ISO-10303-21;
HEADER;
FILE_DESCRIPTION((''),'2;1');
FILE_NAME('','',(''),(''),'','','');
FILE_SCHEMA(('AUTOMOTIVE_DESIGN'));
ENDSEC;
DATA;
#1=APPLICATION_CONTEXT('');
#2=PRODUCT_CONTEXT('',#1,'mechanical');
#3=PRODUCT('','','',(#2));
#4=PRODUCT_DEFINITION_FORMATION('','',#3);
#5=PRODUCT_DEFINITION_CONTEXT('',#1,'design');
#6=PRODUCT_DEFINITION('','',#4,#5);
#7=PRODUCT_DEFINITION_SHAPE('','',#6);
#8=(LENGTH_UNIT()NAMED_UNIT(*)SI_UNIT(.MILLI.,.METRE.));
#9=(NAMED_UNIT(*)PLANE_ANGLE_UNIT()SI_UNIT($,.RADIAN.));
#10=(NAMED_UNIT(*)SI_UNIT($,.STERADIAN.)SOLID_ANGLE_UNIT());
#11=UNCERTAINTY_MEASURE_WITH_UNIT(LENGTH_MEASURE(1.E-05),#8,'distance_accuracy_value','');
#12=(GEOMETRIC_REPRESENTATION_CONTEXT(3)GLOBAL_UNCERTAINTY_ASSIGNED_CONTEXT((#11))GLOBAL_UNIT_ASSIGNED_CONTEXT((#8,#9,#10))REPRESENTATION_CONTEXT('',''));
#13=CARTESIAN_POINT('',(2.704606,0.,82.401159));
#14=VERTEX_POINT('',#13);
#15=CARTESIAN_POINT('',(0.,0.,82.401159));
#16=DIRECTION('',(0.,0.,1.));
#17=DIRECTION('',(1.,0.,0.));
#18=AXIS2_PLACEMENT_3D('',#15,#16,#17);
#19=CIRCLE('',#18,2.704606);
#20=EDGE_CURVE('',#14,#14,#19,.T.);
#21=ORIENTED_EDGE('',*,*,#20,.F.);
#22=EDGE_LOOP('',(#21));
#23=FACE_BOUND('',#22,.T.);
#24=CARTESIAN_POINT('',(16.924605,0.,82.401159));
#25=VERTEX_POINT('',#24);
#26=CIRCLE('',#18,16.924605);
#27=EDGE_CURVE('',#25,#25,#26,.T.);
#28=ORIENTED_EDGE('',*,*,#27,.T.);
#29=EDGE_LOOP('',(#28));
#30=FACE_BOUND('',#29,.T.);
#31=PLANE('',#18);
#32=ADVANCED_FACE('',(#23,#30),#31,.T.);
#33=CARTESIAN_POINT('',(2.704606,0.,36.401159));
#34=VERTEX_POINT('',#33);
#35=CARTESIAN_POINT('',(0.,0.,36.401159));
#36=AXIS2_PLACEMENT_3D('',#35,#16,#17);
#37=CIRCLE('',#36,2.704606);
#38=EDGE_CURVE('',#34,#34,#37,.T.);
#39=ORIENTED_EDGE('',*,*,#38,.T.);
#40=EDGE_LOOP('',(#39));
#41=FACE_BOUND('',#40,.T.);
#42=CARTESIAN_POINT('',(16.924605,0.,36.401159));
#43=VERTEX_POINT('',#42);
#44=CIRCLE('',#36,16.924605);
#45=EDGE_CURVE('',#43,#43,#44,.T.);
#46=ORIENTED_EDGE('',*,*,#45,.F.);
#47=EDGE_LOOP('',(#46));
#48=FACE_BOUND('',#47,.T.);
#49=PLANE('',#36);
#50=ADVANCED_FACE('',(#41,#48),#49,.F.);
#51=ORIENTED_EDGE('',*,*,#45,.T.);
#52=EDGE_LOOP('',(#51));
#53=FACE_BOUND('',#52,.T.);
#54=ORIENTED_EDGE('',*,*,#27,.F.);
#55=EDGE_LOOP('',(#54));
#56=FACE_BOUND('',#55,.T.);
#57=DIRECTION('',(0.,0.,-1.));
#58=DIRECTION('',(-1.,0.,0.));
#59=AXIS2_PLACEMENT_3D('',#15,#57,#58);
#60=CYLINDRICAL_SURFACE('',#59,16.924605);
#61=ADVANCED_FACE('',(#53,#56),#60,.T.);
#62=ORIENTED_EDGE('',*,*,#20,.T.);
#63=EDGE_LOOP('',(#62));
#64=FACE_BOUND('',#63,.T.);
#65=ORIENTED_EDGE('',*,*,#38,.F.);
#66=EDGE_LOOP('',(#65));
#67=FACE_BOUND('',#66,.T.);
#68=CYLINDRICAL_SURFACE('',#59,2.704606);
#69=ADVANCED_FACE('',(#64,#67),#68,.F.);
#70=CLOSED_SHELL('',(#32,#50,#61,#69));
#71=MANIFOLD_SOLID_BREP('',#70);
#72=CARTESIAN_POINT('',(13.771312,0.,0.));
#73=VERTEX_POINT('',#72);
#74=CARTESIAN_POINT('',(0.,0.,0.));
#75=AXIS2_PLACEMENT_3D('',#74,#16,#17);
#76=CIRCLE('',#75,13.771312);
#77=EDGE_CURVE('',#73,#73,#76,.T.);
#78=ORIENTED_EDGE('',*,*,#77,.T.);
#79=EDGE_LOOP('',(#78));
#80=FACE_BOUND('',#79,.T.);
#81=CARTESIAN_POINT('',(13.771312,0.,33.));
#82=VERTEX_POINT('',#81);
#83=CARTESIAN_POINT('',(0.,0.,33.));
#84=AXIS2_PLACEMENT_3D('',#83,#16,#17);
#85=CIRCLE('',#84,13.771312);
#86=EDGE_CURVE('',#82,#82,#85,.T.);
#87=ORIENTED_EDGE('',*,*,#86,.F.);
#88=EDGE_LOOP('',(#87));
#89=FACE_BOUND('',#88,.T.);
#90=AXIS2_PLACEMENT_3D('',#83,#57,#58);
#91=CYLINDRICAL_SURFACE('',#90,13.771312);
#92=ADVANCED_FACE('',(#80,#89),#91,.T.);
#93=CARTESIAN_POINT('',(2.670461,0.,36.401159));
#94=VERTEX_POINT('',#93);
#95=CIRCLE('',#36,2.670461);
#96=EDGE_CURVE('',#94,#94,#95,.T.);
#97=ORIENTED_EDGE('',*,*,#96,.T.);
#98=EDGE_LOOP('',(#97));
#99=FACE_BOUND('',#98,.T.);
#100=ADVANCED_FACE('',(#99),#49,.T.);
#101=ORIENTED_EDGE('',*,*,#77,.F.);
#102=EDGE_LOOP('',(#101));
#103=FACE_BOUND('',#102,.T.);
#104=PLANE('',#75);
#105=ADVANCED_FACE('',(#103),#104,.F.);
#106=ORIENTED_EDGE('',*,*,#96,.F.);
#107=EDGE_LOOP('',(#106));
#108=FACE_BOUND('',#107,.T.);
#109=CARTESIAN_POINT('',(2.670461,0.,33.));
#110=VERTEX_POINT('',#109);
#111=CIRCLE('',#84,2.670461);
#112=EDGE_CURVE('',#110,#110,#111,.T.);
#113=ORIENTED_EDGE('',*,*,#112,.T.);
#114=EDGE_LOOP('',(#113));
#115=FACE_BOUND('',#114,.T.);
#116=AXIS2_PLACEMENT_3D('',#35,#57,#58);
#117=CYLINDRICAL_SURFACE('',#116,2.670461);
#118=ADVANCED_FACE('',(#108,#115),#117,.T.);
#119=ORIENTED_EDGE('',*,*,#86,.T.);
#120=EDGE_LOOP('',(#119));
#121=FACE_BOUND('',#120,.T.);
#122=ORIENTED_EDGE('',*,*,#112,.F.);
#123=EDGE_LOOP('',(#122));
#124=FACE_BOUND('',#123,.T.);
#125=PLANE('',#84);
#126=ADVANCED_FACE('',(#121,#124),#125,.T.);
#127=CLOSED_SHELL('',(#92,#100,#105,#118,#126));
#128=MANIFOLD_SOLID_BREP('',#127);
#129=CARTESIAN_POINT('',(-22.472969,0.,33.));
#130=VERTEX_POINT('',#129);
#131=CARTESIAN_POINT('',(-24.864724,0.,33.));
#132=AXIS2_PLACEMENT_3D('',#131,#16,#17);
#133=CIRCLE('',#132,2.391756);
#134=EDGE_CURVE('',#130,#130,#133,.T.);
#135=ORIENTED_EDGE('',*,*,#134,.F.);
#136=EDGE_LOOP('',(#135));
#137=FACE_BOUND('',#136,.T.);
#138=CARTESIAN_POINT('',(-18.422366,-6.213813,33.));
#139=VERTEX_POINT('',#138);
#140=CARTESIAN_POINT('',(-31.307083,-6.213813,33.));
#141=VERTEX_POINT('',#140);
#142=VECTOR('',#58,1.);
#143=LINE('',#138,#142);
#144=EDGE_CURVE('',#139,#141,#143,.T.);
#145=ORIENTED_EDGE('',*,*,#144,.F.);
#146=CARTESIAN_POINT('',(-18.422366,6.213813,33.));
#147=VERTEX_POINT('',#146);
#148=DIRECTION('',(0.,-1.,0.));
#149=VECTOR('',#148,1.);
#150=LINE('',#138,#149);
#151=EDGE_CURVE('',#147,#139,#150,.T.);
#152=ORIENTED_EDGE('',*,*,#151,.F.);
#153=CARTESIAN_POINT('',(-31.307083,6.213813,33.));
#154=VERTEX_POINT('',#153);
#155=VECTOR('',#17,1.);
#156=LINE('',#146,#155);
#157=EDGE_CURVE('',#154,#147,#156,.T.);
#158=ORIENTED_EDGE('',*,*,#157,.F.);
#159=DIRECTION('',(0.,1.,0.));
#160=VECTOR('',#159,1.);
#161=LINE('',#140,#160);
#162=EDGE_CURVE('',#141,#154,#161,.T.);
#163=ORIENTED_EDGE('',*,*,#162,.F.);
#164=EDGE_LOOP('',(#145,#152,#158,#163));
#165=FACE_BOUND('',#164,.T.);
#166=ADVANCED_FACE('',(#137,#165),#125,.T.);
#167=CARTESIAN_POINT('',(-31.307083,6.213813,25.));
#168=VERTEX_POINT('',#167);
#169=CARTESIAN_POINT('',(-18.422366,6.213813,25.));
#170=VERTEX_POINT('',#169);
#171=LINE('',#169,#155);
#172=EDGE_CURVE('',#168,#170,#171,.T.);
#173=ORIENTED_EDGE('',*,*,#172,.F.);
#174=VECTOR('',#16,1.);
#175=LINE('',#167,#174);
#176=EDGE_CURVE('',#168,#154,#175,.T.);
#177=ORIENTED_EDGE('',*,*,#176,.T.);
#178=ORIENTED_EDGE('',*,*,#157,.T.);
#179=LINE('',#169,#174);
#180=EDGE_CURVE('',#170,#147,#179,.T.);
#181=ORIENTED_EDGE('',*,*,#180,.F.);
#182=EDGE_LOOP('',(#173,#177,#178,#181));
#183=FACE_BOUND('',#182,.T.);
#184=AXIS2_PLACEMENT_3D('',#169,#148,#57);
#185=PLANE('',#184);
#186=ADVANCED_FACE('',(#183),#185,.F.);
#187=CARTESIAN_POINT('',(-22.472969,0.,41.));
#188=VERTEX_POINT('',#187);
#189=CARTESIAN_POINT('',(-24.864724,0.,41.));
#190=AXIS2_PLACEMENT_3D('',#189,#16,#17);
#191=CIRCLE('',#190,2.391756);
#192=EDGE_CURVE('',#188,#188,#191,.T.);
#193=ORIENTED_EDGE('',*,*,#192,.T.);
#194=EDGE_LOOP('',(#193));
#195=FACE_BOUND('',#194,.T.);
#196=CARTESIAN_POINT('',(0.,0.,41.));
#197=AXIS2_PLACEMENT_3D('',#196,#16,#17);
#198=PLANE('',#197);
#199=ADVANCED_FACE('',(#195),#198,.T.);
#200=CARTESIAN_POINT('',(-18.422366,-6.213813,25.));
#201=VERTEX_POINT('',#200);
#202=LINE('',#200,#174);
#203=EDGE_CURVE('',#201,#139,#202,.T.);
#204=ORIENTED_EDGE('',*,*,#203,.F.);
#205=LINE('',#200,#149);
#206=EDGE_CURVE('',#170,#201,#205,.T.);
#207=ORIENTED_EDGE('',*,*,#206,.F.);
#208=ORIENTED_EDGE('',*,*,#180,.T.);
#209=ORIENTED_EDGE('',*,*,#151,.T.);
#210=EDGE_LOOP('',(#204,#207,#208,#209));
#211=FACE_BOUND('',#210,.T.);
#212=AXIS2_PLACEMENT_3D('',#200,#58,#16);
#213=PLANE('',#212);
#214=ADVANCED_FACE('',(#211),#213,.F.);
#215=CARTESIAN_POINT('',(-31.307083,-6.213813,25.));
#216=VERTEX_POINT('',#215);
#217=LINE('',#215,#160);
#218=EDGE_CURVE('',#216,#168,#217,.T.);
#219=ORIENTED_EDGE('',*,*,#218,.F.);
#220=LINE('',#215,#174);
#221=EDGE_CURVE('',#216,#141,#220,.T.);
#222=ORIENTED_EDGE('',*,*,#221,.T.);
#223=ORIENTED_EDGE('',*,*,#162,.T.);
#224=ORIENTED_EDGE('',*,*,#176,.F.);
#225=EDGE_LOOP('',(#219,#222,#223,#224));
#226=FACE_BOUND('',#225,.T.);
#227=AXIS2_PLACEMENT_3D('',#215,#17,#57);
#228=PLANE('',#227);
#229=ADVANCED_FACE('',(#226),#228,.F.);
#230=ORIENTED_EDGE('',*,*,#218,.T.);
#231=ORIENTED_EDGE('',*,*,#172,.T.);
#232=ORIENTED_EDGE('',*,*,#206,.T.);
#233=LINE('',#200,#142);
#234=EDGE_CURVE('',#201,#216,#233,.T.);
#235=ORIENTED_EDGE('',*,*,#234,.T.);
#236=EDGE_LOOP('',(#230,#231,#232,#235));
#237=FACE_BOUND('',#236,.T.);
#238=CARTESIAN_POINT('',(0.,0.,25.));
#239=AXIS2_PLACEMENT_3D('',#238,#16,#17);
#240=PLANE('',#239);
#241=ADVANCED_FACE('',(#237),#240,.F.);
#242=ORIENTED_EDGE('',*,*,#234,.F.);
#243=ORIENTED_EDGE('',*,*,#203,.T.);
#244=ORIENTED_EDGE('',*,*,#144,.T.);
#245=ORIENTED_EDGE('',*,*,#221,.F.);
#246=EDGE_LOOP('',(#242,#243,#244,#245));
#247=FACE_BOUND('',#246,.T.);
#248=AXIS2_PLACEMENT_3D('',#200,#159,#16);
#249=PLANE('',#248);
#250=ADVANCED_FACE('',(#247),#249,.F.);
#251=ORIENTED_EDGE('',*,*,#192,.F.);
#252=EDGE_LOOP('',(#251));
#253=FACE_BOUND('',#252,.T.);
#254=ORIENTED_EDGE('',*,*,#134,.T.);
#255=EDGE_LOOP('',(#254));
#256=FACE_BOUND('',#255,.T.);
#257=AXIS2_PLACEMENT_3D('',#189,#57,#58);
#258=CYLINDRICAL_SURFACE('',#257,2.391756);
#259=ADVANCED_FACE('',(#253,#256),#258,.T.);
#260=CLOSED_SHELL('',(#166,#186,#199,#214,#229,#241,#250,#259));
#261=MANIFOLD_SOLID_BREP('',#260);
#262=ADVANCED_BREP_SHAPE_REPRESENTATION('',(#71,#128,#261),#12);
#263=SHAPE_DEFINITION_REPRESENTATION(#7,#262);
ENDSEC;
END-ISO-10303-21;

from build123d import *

# Parameters (mm, degrees)
SKETCH2_R           = 13.771311666
BOSS_EXTRUDE1_DEPTH = 33
SKETCH4_R           = 2.670460619
BOSS_EXTRUDE2_DEPTH = 3.401159468
SKETCH5_R           = 2.391755936
BOSS_EXTRUDE3_DEPTH = 8
SKETCH6_W           = 12.884717539
SKETCH6_H           = 12.427625198
BOSS_EXTRUDE4_DEPTH = 8
SKETCH24_R          = 16.92460457
SKETCH24_R_2        = 2.7046062
BOSS_EXTRUDE9_DEPTH = 46


with BuildPart() as part:
    # Sketch2 → Boss-Extrude1 (new body)
    with BuildSketch(Plane.XY):
        Circle(SKETCH2_R)
    extrude(amount=BOSS_EXTRUDE1_DEPTH)

    # Sketch4 → Boss-Extrude2 (add)
    with BuildSketch(Plane.XY.offset(33)):
        Circle(SKETCH4_R)
    extrude(amount=BOSS_EXTRUDE2_DEPTH)


with BuildPart() as body_2:
    # Sketch5 → Boss-Extrude3 (new body)
    with BuildSketch(Plane.XY.offset(33)):
        with Locations((-24.864724485, 0)):
            Circle(SKETCH5_R)
    extrude(amount=BOSS_EXTRUDE3_DEPTH)

    # Sketch6 → Boss-Extrude4 (add)
    with BuildSketch(Plane(origin=(0, 0, 33), x_dir=(-1, 0, 0), z_dir=(0, 0, -1))):
        with Locations((24.864724486, 0)):
            Rectangle(SKETCH6_W, SKETCH6_H)
    extrude(amount=BOSS_EXTRUDE4_DEPTH)


with BuildPart() as body_3:
    # Sketch24 → Boss-Extrude9 (new body)
    with BuildSketch(Plane.XY.offset(36.401159468)):
        Circle(SKETCH24_R)
        Circle(SKETCH24_R_2, mode=Mode.SUBTRACT)
    extrude(amount=BOSS_EXTRUDE9_DEPTH)


solid = Compound([part.part, body_2.part, body_3.part])
